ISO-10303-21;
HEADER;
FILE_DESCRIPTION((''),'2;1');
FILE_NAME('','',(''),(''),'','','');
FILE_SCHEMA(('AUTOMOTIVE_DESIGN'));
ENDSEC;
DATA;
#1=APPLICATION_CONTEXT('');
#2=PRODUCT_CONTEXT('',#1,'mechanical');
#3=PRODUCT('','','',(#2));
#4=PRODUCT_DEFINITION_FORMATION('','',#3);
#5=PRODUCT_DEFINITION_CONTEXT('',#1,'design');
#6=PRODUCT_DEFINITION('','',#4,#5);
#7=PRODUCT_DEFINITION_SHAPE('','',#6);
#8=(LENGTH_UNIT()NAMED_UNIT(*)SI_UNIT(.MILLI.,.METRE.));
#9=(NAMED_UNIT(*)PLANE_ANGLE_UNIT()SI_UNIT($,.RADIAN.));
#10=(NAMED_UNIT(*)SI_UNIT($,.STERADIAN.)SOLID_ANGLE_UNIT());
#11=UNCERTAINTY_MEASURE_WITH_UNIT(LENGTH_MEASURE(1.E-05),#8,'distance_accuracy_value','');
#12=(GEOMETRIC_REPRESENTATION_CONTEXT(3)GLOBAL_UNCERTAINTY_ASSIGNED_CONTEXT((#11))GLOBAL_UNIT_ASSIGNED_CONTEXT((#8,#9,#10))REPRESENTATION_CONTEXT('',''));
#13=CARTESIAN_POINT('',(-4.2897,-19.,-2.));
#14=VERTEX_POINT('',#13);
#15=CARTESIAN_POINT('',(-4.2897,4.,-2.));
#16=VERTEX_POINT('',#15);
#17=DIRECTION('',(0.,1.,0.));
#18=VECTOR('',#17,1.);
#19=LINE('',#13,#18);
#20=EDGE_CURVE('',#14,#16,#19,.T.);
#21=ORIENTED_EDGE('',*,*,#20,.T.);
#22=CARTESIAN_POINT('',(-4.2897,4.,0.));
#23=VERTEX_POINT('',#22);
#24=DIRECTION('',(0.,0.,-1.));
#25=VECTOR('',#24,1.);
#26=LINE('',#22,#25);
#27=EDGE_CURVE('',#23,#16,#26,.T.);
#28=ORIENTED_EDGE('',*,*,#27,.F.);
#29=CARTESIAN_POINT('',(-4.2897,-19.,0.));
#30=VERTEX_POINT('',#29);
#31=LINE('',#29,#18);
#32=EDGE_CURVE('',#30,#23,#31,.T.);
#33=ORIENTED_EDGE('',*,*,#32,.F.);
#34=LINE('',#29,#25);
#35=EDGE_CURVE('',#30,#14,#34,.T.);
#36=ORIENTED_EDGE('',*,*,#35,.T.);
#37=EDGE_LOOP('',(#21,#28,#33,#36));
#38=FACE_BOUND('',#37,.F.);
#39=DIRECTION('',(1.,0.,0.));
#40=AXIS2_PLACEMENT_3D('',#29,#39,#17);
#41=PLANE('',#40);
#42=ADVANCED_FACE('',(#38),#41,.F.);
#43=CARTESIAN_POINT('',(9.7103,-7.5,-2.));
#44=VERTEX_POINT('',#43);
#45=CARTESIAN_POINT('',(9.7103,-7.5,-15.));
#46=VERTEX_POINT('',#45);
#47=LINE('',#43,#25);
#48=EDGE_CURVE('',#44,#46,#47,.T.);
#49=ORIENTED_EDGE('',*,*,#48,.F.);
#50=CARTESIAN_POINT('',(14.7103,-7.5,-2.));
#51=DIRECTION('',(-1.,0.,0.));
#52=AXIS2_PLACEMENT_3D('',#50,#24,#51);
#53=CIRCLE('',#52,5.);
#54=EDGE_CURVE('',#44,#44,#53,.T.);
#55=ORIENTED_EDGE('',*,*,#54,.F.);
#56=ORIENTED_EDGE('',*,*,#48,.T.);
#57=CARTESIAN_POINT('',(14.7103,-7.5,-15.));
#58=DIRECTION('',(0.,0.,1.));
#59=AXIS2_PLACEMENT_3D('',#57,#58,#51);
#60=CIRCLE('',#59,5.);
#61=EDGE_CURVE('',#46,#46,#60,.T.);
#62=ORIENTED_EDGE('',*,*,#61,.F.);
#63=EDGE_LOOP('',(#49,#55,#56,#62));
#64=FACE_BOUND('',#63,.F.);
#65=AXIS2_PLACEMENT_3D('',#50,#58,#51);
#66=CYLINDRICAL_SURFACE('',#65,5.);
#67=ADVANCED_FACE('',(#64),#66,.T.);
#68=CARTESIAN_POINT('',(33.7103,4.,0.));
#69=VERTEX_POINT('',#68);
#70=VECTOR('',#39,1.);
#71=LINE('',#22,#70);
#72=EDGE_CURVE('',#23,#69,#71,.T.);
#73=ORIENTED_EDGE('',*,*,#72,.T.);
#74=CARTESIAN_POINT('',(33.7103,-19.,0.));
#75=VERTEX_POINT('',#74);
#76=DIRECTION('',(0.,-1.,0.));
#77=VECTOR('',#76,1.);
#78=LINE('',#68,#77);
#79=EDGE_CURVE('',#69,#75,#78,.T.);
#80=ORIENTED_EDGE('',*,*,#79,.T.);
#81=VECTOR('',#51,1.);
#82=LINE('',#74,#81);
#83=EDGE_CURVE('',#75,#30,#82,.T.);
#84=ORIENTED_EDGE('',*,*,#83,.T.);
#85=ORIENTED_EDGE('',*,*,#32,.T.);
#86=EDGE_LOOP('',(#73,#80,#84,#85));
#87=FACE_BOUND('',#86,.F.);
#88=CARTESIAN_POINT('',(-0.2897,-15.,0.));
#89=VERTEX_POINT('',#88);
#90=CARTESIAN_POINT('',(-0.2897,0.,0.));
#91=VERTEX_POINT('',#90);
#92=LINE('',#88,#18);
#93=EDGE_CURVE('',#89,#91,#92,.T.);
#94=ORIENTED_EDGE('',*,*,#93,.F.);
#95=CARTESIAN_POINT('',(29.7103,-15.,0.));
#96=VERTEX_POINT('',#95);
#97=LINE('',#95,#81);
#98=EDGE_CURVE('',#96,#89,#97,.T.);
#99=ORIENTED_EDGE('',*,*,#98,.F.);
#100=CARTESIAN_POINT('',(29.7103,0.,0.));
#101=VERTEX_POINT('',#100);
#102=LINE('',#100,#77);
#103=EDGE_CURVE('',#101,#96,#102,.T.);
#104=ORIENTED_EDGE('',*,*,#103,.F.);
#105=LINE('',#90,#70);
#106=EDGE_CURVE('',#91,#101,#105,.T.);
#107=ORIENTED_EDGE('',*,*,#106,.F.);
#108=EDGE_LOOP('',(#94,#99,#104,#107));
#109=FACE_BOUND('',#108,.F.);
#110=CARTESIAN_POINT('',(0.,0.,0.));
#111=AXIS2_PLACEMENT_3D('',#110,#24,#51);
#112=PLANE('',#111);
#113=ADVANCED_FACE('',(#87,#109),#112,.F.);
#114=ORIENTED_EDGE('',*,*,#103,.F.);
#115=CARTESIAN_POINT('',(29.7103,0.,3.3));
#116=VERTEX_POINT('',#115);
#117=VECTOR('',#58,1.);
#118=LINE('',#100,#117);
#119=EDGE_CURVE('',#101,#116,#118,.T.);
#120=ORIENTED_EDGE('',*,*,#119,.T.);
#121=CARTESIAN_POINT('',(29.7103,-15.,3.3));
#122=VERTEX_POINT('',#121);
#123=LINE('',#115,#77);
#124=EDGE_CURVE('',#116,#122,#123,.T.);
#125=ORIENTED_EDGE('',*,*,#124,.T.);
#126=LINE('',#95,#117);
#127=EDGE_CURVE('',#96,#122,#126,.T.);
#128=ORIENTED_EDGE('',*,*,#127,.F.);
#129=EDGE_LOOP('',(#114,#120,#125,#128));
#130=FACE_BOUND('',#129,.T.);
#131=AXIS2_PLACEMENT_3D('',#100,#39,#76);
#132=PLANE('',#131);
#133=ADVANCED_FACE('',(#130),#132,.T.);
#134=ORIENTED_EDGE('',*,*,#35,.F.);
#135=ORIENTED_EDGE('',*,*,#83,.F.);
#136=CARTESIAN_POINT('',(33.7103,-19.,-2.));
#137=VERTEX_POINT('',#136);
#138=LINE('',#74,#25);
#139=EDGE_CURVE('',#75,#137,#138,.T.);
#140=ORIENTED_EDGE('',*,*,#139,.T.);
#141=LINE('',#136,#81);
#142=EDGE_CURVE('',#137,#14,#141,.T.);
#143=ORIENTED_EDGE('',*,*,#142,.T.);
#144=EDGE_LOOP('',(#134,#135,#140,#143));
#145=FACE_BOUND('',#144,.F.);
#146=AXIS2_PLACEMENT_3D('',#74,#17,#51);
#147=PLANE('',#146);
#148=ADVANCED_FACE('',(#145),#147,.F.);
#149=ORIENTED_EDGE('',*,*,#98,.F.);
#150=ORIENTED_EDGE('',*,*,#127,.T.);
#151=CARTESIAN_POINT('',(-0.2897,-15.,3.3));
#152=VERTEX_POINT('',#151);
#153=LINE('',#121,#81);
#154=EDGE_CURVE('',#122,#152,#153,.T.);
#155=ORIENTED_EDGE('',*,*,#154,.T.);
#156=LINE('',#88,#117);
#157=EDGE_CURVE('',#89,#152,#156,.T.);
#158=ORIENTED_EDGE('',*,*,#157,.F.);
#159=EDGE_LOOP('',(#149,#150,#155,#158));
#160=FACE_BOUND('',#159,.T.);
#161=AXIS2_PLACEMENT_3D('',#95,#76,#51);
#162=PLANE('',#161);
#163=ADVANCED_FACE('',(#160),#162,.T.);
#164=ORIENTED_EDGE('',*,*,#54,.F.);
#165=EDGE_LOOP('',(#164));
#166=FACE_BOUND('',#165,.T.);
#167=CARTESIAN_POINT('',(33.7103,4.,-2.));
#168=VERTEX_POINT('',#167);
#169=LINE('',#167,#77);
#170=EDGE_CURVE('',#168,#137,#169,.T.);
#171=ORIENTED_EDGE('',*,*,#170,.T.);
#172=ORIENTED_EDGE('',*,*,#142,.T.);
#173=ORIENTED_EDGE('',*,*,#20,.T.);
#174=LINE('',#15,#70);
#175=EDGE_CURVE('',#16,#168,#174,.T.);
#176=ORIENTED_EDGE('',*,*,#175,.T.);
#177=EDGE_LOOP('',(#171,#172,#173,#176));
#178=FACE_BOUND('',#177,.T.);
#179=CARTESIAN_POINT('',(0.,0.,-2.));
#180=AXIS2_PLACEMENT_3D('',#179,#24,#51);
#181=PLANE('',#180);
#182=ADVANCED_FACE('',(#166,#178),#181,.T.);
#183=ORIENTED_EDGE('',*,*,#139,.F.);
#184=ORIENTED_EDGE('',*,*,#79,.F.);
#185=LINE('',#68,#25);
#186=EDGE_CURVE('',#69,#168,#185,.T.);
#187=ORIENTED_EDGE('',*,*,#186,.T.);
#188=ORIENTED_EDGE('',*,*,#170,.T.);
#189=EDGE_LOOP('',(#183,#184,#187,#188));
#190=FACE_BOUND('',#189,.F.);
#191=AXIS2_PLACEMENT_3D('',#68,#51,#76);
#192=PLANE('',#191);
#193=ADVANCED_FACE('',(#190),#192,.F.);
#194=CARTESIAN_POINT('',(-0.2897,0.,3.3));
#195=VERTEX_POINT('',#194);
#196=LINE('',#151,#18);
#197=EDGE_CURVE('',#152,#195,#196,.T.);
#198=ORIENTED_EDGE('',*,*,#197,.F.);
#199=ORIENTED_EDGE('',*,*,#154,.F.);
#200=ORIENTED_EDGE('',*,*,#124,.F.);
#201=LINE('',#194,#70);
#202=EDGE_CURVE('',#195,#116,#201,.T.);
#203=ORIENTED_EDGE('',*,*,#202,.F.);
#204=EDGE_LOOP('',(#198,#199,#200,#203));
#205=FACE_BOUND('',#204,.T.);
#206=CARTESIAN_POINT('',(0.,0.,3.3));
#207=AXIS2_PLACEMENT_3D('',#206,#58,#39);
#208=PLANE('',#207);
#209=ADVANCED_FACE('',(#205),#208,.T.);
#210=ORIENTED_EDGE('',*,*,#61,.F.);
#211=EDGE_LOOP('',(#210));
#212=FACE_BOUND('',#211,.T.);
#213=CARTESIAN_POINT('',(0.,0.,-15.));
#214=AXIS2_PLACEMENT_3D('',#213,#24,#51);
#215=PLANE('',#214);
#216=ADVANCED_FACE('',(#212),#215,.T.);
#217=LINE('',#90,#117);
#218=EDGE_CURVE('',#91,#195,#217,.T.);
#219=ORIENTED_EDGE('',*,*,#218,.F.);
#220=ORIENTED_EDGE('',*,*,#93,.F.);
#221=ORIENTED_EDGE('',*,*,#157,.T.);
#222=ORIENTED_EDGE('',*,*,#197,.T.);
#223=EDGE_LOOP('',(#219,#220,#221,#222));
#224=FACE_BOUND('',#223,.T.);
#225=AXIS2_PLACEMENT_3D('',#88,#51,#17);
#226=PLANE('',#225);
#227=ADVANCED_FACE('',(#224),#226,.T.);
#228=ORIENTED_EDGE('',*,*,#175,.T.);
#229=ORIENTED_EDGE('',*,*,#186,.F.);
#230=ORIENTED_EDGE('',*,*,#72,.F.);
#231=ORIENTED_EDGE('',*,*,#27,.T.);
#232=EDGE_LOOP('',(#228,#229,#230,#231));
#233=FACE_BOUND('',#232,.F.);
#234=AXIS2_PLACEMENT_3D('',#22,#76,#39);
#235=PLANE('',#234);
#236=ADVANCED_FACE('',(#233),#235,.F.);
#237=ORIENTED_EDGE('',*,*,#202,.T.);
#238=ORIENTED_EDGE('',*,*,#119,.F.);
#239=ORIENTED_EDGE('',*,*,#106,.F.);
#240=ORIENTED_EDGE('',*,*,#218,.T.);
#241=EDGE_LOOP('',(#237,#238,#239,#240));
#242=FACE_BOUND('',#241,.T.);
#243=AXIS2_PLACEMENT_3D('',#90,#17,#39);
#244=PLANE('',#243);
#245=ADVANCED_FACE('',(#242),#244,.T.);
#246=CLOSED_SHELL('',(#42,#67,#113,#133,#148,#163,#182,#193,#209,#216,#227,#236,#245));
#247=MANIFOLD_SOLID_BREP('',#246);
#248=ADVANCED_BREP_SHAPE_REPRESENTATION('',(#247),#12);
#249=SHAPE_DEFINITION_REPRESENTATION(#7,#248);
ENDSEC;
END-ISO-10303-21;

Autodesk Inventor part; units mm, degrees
ref_plane "YZ Plane" through (0, 0, 0) normal (1, 0, 0) x (0, 1, 0)
ref_plane "XZ Plane" through (0, 0, 0) normal (0, 1, 0) x (-1, 0, 0)
ref_plane "XY Plane" through (0, 0, 0) normal (0, 0, 1) x (1, 0, 0)
sketch "Boceto1" plane through (0, 0, 0) normal (0, 0, 1) x (1, 0, 0)
  line L0 (-0.2897, 0) -> (29.7103, 0)
  line L1 (29.7103, 0) -> (29.7103, -15)
  line L2 (29.7103, -15) -> (-0.2897, -15)
  line L3 (-0.2897, -15) -> (-0.2897, 0)
  point P0 (0, 0)
  dimension "d0" = 30
  dimension "d1" = 15
extrude "Extrusión1" add sketch "Boceto1" along normal blind 3.3
sketch "Boceto2" plane through (0, 0, 0) normal (0, 0, -1) x (-1, 0, 0)
  line L0 (-29.7103, -15) -> (0.2897, -15) projected
  line L1 (0.2897, 0) -> (-29.7103, 0) projected
  line L2 (-29.7103, 0) -> (-29.7103, -15) projected
  line L3 (-29.7103, -15) -> (0.2897, -15) projected
  line L4 (0.2897, -15) -> (0.2897, 0) projected
  line L5 (4.2897, 4) -> (-33.7103, 4)
  line L6 (-33.7103, 4) -> (-33.7103, -19)
  line L7 (-33.7103, -19) -> (4.2897, -19)
  line L8 (4.2897, -19) -> (4.2897, 4)
  point P0 (0, 0)
  dimension "d4" = 4
extrude "Extrusión2" add sketch "Boceto2" along normal blind 2 contours L2 L1 L4 L0 | L8 L7 L6 L5
sketch "Boceto3" plane through (0, 0, -2) normal (0, 0, -1) x (-1, 0, 0)
  line L0 (4.2897, 4) -> (-33.7103, 4) projected
  line L1 (-14.7103, 4) -> (-14.7103, -19)
  line L2 (-33.7103, -19) -> (4.2897, -19) projected
  circle A0 centre (-14.7103, -7.5) radius 5
  point P0 (0, 0)
  dimension "d7" = 10
extrude "Extrusión3" add sketch "Boceto3" along normal blind 13
properties part number "boton2"
